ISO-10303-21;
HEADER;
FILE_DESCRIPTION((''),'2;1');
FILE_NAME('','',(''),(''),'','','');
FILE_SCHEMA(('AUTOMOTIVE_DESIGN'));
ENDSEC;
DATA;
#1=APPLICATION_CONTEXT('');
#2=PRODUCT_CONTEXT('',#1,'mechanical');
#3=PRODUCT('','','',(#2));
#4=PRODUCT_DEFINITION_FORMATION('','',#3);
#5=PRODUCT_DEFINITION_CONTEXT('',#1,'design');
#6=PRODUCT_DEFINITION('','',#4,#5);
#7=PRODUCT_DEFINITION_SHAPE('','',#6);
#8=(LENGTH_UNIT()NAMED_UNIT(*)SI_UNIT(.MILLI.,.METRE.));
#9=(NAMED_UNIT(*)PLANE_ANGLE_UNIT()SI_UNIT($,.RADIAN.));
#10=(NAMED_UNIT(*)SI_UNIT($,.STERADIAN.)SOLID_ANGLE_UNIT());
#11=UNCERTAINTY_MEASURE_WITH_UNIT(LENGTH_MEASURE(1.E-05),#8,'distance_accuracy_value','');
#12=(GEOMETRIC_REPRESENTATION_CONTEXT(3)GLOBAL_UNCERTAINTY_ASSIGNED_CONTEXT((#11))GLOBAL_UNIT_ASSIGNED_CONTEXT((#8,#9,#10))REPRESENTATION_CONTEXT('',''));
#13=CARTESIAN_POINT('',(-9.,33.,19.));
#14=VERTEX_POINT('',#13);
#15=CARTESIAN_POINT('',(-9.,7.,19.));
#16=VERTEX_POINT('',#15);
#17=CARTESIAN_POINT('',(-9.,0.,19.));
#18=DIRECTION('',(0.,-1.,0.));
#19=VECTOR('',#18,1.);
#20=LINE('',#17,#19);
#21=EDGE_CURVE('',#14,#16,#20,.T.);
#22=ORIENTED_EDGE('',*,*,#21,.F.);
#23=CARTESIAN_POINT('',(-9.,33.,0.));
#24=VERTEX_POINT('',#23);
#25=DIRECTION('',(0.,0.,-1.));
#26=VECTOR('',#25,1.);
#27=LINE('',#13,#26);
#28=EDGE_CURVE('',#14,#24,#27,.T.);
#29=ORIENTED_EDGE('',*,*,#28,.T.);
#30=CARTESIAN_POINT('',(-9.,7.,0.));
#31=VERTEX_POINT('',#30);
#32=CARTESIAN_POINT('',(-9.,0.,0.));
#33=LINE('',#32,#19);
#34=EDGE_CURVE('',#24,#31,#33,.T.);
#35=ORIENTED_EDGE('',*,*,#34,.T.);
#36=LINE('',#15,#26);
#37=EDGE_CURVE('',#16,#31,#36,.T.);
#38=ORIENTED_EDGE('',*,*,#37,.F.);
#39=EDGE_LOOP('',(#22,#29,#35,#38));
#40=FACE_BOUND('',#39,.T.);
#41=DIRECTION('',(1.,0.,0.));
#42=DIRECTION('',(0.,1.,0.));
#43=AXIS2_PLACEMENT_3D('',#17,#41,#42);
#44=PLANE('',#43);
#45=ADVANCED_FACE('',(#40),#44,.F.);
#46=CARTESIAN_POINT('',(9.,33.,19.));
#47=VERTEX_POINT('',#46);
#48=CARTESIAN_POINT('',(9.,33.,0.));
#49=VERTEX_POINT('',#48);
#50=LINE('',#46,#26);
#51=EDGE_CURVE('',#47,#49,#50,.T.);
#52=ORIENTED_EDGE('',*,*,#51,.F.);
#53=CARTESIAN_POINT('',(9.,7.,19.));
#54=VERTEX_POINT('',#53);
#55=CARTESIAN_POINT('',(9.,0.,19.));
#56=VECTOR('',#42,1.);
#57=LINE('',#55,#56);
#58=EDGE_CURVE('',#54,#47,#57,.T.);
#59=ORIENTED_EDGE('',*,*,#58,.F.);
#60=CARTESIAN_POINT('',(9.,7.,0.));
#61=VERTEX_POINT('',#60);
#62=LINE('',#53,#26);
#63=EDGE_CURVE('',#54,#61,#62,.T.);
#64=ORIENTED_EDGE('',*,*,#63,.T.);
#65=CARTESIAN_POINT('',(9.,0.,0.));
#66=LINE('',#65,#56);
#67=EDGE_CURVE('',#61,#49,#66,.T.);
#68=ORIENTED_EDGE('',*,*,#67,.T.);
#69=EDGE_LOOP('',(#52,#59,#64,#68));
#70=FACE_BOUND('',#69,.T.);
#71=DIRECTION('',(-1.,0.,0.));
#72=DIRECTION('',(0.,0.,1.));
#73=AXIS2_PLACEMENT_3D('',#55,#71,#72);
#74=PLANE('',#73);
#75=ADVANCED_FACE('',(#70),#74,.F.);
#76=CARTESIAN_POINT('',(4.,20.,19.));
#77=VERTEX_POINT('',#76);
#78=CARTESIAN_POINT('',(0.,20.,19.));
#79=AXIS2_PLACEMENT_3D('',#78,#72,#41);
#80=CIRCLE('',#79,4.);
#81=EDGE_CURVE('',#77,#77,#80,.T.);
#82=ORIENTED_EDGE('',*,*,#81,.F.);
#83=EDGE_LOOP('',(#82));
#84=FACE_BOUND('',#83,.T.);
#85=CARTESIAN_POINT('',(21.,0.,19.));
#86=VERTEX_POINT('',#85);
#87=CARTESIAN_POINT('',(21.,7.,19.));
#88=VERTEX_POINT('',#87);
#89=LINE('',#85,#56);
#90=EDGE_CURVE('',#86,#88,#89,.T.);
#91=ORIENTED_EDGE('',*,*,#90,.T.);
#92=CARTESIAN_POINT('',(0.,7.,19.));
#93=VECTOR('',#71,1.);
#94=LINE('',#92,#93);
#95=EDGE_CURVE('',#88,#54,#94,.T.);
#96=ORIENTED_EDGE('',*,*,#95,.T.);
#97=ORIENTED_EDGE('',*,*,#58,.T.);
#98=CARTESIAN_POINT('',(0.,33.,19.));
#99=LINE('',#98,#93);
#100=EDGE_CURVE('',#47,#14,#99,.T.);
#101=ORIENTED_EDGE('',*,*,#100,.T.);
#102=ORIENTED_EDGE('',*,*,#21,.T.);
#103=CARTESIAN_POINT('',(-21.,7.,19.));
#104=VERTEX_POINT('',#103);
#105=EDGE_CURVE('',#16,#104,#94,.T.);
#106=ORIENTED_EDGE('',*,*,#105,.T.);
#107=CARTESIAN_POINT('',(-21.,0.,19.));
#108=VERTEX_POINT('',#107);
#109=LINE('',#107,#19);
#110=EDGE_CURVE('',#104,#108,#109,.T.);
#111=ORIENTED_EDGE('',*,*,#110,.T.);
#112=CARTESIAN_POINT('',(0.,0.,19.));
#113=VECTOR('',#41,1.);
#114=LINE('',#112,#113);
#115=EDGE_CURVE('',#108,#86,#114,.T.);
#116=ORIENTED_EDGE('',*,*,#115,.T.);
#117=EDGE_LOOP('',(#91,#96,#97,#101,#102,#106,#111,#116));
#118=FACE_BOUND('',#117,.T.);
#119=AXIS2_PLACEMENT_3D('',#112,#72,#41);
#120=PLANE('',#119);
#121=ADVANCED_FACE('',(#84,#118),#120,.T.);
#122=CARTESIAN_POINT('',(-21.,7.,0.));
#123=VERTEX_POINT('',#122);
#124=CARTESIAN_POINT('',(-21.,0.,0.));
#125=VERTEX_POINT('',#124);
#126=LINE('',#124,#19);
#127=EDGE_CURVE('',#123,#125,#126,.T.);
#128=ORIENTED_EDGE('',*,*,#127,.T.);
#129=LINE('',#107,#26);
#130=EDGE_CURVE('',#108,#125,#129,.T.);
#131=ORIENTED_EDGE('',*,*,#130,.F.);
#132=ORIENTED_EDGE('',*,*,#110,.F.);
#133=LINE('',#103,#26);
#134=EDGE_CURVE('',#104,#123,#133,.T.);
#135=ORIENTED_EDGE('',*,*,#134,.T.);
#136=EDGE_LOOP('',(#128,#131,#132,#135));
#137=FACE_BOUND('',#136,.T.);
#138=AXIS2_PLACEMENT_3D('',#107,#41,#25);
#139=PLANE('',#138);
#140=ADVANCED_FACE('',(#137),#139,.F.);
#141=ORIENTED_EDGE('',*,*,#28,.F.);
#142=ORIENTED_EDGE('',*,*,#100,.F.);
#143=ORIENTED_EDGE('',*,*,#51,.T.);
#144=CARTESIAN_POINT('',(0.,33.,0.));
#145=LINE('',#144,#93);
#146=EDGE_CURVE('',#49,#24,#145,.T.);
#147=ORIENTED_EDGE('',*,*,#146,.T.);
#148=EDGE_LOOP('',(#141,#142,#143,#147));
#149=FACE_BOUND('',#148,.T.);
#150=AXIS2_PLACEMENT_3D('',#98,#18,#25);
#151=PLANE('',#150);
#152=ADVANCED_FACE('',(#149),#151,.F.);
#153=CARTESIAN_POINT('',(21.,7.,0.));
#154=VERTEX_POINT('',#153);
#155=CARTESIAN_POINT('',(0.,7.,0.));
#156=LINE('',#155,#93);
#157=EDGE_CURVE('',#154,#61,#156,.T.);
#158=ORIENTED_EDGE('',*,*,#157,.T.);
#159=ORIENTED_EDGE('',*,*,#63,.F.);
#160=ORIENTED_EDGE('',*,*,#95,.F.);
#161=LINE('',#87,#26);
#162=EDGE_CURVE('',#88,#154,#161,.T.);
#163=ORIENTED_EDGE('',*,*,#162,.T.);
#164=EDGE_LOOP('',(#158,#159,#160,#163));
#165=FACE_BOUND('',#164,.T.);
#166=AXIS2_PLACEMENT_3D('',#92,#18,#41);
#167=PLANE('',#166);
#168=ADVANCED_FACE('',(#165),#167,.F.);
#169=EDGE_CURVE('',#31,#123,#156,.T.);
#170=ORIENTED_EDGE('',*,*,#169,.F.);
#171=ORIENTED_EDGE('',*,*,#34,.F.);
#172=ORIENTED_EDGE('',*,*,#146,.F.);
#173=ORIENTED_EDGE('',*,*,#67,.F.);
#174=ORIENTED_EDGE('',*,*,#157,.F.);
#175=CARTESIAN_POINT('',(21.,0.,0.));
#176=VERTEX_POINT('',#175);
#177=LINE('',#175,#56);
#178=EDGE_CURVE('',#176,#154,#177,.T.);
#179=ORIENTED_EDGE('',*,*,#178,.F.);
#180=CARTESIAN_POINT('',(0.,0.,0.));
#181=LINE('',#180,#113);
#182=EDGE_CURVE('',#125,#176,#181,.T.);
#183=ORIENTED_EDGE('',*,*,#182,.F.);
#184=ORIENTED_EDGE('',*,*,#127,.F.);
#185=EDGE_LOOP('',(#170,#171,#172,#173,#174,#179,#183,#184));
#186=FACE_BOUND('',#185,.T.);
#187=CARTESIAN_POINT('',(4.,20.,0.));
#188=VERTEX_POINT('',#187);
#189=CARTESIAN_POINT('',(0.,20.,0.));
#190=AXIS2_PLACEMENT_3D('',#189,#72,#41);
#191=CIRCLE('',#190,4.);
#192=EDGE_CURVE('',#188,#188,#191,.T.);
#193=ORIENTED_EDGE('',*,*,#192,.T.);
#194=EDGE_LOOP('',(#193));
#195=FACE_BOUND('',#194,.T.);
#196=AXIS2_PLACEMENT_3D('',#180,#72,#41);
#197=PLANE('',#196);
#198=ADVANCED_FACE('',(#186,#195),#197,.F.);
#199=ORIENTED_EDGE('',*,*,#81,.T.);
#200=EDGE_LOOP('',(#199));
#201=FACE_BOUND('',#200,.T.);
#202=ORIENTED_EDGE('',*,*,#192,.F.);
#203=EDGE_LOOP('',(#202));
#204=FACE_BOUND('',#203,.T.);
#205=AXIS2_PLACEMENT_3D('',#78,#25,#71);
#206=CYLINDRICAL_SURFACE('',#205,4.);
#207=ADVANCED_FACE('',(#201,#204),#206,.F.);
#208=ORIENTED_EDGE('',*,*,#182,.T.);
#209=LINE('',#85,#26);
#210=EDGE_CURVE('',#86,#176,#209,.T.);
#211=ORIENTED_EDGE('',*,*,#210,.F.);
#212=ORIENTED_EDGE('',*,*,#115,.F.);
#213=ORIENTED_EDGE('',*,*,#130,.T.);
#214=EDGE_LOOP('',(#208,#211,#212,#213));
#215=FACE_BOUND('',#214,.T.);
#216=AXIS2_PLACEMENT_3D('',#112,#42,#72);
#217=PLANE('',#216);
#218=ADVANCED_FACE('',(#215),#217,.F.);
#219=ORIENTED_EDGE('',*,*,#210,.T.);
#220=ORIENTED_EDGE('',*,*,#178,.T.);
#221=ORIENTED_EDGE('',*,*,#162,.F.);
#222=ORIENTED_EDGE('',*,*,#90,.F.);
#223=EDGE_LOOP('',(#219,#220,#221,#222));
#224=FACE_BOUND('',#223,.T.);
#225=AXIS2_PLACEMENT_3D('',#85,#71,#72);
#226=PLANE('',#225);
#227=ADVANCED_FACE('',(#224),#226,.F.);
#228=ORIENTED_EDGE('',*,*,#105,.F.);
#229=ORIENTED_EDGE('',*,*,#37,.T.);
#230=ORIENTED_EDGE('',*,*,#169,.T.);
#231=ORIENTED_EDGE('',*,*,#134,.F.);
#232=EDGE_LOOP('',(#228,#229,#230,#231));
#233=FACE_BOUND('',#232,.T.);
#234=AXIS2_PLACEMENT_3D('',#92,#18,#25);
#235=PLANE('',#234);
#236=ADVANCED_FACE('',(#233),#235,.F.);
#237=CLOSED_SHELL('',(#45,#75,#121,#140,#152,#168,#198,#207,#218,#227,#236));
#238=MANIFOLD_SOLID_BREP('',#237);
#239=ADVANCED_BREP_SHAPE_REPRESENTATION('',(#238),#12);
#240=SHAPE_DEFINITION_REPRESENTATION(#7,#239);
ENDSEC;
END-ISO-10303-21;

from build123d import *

# Parameters (mm, degrees)
SKETCH2_R           = 4
BOSS_EXTRUDE1_DEPTH = 19


with BuildPart() as part:
    # Sketch2 → Boss-Extrude1 (new body)
    with BuildSketch(Plane.XY):
        Polygon((-21, 0), (21, 0), (21, 7), (9, 7), (9, 33), (-9, 33), (-9, 7), (-21, 7), align=None)
        with Locations((0, 20)):
            Circle(SKETCH2_R, mode=Mode.SUBTRACT)
    extrude(amount=BOSS_EXTRUDE1_DEPTH)


solid = part.part
